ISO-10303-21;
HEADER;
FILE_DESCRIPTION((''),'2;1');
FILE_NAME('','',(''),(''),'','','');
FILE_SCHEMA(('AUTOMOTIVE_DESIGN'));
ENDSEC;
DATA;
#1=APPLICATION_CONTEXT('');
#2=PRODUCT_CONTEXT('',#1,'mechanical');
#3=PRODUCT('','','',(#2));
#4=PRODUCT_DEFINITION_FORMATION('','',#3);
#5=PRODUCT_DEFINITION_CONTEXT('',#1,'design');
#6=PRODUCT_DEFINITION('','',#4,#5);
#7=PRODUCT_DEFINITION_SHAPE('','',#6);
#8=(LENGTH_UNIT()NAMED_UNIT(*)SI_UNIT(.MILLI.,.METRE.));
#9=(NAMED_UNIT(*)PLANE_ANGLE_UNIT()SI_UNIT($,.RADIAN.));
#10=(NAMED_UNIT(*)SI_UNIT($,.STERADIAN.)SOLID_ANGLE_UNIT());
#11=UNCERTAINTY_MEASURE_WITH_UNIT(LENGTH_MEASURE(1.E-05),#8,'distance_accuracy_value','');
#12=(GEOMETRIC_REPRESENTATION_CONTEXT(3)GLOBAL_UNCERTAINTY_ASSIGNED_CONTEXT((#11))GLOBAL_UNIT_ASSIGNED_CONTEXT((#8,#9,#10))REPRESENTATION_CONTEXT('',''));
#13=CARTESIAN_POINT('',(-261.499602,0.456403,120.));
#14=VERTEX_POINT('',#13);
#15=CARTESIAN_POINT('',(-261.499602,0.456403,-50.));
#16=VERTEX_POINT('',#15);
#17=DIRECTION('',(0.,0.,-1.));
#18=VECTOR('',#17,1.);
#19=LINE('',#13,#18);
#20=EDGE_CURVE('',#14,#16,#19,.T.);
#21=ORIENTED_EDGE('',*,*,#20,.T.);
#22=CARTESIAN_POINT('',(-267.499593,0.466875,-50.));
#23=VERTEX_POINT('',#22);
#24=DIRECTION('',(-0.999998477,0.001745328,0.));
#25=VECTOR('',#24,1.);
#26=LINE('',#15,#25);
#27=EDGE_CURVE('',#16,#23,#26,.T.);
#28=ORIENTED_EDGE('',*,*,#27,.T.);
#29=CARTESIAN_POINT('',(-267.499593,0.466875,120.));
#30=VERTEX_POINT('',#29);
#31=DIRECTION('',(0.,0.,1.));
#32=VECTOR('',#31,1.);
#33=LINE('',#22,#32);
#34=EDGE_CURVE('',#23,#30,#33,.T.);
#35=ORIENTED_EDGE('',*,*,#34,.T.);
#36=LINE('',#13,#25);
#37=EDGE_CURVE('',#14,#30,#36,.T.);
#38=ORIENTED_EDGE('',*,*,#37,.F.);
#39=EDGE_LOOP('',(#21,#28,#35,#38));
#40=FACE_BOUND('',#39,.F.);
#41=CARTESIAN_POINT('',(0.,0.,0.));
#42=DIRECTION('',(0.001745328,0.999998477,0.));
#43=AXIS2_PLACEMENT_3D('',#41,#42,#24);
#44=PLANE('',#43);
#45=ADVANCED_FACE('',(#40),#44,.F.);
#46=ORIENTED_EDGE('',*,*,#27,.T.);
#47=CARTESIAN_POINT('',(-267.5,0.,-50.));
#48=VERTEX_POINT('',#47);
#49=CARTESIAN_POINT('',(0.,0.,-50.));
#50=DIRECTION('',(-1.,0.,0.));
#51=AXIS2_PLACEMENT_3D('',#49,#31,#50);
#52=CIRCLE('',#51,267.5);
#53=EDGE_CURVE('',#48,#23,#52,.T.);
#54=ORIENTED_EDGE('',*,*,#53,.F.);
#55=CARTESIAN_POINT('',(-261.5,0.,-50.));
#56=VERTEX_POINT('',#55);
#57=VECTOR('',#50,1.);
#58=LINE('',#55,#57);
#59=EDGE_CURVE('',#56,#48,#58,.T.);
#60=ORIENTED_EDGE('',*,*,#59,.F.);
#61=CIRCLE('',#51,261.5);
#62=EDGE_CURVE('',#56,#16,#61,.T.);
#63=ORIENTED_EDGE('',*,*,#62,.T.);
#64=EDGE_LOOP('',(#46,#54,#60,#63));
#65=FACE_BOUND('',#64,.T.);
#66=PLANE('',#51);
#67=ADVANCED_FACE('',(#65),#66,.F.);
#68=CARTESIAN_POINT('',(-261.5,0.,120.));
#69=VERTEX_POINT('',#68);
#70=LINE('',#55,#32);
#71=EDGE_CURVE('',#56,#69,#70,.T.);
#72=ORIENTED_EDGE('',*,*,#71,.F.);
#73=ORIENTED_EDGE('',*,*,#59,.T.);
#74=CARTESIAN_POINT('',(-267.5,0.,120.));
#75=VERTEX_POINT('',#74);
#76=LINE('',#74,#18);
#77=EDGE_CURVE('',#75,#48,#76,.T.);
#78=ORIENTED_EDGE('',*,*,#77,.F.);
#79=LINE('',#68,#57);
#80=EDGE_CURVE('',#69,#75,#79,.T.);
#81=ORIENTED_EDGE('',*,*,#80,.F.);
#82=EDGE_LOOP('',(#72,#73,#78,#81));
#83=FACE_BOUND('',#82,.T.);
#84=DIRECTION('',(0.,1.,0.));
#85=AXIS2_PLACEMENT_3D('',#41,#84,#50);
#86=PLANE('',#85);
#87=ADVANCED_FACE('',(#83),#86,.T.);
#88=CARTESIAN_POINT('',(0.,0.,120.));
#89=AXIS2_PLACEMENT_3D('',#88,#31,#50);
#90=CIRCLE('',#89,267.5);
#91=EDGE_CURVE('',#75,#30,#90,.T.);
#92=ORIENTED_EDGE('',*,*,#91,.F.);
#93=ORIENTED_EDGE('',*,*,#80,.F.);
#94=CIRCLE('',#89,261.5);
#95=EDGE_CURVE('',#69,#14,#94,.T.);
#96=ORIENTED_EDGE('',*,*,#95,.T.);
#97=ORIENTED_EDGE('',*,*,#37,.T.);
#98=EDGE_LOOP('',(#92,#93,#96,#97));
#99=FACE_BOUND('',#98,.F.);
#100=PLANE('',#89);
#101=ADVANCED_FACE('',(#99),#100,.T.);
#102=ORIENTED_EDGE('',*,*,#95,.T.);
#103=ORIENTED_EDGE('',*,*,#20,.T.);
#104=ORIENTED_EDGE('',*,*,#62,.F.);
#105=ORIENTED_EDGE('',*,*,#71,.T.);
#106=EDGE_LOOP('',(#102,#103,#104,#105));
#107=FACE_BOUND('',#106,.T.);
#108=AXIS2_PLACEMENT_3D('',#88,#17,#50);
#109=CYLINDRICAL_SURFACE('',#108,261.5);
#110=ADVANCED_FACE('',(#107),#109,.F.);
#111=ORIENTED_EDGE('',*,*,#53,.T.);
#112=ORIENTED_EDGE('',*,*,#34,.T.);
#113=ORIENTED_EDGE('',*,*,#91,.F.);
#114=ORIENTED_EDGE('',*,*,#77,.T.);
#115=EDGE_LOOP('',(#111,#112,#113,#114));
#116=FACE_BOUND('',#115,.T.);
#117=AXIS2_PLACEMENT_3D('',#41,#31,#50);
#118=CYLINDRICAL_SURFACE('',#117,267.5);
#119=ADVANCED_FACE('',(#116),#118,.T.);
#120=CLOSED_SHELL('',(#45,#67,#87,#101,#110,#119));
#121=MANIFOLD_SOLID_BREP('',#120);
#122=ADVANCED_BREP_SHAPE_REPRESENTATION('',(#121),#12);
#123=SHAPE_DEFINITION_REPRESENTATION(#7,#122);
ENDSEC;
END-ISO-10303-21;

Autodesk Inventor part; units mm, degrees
ref_plane "YZ Plane" through (0, 0, 0) normal (1, 0, 0) x (0, 1, 0)
ref_plane "XZ Plane" through (0, 0, 0) normal (0, 1, 0) x (-1, 0, 0)
ref_plane "XY Plane" through (0, 0, 0) normal (0, 0, 1) x (1, 0, 0)
sketch "Sketch1" plane through (0, 0, 0) normal (0, 1, 0) x (-1, 0, 0)
  line L0 (261.5, 120) -> (261.5, 0)
  line L1 (261.5, 0) -> (267.5, 0)
  line L2 (0, 0) -> (0, 109.131)
  line L3 (261.5, 120) -> (267.5, 120)
  line L4 (267.5, 0) -> (267.5, 120)
  line L5 (267.5, 0) -> (261.5, 0)
  line L6 (261.5, 0) -> (261.5, -50)
  line L7 (261.5, -50) -> (267.5, -50)
  line L8 (267.5, -50) -> (267.5, 0)
  point P0 (264.5, 0)
  point P1 (267.5, 0)
  dimension "d3" = 6
  dimension "d5" = 120
  dimension "d7" = 6
  dimension "d8" = 50
  dimension "d12" = 535
revolve "Revolution1" add sketch "Sketch1" angle 359.9 about axis through (0, 0, 0) along (0, 0, 1)
sketch "Sketch2" plane through (0, 0, 0) normal (0, 1, 0) x (-1, 0, 0)
  circle A0 centre (0, -476) radius 476
  point P0 (0, 0)
  dimension "d9" = 952
extrude "Extrusion1" [suppressed]
equation "\"d5\" = Accsess_hatch_lenght"
equation "\"d7\" = d3"
equation "\"d12\" = Accsess_hatch_diameter"
equation "\"Accsess_hatch_lenght\" = 120"
equation "\"Accsess_hatch_diameter\" = 535"
equation "\"BendRadius\" = Thickness"
equation "\"BendReliefWidth\" = Thickness"
equation "\"BendReliefDepth\" = 0.5 * Thickness"
equation "\"CornerReliefSize\" = 4 * Thickness"
equation "\"MinimumRemnant\" = 2 * Thickness"
equation "\"TransitionRadius\" = BendRadius"
equation "\"JacobiRadiusSize\" = BendRadius"
equation "\"GapSize\" = Thickness"
equation "\"Thickness\" = 6"
properties part number "PRS 940-11 accses hatch tube"
